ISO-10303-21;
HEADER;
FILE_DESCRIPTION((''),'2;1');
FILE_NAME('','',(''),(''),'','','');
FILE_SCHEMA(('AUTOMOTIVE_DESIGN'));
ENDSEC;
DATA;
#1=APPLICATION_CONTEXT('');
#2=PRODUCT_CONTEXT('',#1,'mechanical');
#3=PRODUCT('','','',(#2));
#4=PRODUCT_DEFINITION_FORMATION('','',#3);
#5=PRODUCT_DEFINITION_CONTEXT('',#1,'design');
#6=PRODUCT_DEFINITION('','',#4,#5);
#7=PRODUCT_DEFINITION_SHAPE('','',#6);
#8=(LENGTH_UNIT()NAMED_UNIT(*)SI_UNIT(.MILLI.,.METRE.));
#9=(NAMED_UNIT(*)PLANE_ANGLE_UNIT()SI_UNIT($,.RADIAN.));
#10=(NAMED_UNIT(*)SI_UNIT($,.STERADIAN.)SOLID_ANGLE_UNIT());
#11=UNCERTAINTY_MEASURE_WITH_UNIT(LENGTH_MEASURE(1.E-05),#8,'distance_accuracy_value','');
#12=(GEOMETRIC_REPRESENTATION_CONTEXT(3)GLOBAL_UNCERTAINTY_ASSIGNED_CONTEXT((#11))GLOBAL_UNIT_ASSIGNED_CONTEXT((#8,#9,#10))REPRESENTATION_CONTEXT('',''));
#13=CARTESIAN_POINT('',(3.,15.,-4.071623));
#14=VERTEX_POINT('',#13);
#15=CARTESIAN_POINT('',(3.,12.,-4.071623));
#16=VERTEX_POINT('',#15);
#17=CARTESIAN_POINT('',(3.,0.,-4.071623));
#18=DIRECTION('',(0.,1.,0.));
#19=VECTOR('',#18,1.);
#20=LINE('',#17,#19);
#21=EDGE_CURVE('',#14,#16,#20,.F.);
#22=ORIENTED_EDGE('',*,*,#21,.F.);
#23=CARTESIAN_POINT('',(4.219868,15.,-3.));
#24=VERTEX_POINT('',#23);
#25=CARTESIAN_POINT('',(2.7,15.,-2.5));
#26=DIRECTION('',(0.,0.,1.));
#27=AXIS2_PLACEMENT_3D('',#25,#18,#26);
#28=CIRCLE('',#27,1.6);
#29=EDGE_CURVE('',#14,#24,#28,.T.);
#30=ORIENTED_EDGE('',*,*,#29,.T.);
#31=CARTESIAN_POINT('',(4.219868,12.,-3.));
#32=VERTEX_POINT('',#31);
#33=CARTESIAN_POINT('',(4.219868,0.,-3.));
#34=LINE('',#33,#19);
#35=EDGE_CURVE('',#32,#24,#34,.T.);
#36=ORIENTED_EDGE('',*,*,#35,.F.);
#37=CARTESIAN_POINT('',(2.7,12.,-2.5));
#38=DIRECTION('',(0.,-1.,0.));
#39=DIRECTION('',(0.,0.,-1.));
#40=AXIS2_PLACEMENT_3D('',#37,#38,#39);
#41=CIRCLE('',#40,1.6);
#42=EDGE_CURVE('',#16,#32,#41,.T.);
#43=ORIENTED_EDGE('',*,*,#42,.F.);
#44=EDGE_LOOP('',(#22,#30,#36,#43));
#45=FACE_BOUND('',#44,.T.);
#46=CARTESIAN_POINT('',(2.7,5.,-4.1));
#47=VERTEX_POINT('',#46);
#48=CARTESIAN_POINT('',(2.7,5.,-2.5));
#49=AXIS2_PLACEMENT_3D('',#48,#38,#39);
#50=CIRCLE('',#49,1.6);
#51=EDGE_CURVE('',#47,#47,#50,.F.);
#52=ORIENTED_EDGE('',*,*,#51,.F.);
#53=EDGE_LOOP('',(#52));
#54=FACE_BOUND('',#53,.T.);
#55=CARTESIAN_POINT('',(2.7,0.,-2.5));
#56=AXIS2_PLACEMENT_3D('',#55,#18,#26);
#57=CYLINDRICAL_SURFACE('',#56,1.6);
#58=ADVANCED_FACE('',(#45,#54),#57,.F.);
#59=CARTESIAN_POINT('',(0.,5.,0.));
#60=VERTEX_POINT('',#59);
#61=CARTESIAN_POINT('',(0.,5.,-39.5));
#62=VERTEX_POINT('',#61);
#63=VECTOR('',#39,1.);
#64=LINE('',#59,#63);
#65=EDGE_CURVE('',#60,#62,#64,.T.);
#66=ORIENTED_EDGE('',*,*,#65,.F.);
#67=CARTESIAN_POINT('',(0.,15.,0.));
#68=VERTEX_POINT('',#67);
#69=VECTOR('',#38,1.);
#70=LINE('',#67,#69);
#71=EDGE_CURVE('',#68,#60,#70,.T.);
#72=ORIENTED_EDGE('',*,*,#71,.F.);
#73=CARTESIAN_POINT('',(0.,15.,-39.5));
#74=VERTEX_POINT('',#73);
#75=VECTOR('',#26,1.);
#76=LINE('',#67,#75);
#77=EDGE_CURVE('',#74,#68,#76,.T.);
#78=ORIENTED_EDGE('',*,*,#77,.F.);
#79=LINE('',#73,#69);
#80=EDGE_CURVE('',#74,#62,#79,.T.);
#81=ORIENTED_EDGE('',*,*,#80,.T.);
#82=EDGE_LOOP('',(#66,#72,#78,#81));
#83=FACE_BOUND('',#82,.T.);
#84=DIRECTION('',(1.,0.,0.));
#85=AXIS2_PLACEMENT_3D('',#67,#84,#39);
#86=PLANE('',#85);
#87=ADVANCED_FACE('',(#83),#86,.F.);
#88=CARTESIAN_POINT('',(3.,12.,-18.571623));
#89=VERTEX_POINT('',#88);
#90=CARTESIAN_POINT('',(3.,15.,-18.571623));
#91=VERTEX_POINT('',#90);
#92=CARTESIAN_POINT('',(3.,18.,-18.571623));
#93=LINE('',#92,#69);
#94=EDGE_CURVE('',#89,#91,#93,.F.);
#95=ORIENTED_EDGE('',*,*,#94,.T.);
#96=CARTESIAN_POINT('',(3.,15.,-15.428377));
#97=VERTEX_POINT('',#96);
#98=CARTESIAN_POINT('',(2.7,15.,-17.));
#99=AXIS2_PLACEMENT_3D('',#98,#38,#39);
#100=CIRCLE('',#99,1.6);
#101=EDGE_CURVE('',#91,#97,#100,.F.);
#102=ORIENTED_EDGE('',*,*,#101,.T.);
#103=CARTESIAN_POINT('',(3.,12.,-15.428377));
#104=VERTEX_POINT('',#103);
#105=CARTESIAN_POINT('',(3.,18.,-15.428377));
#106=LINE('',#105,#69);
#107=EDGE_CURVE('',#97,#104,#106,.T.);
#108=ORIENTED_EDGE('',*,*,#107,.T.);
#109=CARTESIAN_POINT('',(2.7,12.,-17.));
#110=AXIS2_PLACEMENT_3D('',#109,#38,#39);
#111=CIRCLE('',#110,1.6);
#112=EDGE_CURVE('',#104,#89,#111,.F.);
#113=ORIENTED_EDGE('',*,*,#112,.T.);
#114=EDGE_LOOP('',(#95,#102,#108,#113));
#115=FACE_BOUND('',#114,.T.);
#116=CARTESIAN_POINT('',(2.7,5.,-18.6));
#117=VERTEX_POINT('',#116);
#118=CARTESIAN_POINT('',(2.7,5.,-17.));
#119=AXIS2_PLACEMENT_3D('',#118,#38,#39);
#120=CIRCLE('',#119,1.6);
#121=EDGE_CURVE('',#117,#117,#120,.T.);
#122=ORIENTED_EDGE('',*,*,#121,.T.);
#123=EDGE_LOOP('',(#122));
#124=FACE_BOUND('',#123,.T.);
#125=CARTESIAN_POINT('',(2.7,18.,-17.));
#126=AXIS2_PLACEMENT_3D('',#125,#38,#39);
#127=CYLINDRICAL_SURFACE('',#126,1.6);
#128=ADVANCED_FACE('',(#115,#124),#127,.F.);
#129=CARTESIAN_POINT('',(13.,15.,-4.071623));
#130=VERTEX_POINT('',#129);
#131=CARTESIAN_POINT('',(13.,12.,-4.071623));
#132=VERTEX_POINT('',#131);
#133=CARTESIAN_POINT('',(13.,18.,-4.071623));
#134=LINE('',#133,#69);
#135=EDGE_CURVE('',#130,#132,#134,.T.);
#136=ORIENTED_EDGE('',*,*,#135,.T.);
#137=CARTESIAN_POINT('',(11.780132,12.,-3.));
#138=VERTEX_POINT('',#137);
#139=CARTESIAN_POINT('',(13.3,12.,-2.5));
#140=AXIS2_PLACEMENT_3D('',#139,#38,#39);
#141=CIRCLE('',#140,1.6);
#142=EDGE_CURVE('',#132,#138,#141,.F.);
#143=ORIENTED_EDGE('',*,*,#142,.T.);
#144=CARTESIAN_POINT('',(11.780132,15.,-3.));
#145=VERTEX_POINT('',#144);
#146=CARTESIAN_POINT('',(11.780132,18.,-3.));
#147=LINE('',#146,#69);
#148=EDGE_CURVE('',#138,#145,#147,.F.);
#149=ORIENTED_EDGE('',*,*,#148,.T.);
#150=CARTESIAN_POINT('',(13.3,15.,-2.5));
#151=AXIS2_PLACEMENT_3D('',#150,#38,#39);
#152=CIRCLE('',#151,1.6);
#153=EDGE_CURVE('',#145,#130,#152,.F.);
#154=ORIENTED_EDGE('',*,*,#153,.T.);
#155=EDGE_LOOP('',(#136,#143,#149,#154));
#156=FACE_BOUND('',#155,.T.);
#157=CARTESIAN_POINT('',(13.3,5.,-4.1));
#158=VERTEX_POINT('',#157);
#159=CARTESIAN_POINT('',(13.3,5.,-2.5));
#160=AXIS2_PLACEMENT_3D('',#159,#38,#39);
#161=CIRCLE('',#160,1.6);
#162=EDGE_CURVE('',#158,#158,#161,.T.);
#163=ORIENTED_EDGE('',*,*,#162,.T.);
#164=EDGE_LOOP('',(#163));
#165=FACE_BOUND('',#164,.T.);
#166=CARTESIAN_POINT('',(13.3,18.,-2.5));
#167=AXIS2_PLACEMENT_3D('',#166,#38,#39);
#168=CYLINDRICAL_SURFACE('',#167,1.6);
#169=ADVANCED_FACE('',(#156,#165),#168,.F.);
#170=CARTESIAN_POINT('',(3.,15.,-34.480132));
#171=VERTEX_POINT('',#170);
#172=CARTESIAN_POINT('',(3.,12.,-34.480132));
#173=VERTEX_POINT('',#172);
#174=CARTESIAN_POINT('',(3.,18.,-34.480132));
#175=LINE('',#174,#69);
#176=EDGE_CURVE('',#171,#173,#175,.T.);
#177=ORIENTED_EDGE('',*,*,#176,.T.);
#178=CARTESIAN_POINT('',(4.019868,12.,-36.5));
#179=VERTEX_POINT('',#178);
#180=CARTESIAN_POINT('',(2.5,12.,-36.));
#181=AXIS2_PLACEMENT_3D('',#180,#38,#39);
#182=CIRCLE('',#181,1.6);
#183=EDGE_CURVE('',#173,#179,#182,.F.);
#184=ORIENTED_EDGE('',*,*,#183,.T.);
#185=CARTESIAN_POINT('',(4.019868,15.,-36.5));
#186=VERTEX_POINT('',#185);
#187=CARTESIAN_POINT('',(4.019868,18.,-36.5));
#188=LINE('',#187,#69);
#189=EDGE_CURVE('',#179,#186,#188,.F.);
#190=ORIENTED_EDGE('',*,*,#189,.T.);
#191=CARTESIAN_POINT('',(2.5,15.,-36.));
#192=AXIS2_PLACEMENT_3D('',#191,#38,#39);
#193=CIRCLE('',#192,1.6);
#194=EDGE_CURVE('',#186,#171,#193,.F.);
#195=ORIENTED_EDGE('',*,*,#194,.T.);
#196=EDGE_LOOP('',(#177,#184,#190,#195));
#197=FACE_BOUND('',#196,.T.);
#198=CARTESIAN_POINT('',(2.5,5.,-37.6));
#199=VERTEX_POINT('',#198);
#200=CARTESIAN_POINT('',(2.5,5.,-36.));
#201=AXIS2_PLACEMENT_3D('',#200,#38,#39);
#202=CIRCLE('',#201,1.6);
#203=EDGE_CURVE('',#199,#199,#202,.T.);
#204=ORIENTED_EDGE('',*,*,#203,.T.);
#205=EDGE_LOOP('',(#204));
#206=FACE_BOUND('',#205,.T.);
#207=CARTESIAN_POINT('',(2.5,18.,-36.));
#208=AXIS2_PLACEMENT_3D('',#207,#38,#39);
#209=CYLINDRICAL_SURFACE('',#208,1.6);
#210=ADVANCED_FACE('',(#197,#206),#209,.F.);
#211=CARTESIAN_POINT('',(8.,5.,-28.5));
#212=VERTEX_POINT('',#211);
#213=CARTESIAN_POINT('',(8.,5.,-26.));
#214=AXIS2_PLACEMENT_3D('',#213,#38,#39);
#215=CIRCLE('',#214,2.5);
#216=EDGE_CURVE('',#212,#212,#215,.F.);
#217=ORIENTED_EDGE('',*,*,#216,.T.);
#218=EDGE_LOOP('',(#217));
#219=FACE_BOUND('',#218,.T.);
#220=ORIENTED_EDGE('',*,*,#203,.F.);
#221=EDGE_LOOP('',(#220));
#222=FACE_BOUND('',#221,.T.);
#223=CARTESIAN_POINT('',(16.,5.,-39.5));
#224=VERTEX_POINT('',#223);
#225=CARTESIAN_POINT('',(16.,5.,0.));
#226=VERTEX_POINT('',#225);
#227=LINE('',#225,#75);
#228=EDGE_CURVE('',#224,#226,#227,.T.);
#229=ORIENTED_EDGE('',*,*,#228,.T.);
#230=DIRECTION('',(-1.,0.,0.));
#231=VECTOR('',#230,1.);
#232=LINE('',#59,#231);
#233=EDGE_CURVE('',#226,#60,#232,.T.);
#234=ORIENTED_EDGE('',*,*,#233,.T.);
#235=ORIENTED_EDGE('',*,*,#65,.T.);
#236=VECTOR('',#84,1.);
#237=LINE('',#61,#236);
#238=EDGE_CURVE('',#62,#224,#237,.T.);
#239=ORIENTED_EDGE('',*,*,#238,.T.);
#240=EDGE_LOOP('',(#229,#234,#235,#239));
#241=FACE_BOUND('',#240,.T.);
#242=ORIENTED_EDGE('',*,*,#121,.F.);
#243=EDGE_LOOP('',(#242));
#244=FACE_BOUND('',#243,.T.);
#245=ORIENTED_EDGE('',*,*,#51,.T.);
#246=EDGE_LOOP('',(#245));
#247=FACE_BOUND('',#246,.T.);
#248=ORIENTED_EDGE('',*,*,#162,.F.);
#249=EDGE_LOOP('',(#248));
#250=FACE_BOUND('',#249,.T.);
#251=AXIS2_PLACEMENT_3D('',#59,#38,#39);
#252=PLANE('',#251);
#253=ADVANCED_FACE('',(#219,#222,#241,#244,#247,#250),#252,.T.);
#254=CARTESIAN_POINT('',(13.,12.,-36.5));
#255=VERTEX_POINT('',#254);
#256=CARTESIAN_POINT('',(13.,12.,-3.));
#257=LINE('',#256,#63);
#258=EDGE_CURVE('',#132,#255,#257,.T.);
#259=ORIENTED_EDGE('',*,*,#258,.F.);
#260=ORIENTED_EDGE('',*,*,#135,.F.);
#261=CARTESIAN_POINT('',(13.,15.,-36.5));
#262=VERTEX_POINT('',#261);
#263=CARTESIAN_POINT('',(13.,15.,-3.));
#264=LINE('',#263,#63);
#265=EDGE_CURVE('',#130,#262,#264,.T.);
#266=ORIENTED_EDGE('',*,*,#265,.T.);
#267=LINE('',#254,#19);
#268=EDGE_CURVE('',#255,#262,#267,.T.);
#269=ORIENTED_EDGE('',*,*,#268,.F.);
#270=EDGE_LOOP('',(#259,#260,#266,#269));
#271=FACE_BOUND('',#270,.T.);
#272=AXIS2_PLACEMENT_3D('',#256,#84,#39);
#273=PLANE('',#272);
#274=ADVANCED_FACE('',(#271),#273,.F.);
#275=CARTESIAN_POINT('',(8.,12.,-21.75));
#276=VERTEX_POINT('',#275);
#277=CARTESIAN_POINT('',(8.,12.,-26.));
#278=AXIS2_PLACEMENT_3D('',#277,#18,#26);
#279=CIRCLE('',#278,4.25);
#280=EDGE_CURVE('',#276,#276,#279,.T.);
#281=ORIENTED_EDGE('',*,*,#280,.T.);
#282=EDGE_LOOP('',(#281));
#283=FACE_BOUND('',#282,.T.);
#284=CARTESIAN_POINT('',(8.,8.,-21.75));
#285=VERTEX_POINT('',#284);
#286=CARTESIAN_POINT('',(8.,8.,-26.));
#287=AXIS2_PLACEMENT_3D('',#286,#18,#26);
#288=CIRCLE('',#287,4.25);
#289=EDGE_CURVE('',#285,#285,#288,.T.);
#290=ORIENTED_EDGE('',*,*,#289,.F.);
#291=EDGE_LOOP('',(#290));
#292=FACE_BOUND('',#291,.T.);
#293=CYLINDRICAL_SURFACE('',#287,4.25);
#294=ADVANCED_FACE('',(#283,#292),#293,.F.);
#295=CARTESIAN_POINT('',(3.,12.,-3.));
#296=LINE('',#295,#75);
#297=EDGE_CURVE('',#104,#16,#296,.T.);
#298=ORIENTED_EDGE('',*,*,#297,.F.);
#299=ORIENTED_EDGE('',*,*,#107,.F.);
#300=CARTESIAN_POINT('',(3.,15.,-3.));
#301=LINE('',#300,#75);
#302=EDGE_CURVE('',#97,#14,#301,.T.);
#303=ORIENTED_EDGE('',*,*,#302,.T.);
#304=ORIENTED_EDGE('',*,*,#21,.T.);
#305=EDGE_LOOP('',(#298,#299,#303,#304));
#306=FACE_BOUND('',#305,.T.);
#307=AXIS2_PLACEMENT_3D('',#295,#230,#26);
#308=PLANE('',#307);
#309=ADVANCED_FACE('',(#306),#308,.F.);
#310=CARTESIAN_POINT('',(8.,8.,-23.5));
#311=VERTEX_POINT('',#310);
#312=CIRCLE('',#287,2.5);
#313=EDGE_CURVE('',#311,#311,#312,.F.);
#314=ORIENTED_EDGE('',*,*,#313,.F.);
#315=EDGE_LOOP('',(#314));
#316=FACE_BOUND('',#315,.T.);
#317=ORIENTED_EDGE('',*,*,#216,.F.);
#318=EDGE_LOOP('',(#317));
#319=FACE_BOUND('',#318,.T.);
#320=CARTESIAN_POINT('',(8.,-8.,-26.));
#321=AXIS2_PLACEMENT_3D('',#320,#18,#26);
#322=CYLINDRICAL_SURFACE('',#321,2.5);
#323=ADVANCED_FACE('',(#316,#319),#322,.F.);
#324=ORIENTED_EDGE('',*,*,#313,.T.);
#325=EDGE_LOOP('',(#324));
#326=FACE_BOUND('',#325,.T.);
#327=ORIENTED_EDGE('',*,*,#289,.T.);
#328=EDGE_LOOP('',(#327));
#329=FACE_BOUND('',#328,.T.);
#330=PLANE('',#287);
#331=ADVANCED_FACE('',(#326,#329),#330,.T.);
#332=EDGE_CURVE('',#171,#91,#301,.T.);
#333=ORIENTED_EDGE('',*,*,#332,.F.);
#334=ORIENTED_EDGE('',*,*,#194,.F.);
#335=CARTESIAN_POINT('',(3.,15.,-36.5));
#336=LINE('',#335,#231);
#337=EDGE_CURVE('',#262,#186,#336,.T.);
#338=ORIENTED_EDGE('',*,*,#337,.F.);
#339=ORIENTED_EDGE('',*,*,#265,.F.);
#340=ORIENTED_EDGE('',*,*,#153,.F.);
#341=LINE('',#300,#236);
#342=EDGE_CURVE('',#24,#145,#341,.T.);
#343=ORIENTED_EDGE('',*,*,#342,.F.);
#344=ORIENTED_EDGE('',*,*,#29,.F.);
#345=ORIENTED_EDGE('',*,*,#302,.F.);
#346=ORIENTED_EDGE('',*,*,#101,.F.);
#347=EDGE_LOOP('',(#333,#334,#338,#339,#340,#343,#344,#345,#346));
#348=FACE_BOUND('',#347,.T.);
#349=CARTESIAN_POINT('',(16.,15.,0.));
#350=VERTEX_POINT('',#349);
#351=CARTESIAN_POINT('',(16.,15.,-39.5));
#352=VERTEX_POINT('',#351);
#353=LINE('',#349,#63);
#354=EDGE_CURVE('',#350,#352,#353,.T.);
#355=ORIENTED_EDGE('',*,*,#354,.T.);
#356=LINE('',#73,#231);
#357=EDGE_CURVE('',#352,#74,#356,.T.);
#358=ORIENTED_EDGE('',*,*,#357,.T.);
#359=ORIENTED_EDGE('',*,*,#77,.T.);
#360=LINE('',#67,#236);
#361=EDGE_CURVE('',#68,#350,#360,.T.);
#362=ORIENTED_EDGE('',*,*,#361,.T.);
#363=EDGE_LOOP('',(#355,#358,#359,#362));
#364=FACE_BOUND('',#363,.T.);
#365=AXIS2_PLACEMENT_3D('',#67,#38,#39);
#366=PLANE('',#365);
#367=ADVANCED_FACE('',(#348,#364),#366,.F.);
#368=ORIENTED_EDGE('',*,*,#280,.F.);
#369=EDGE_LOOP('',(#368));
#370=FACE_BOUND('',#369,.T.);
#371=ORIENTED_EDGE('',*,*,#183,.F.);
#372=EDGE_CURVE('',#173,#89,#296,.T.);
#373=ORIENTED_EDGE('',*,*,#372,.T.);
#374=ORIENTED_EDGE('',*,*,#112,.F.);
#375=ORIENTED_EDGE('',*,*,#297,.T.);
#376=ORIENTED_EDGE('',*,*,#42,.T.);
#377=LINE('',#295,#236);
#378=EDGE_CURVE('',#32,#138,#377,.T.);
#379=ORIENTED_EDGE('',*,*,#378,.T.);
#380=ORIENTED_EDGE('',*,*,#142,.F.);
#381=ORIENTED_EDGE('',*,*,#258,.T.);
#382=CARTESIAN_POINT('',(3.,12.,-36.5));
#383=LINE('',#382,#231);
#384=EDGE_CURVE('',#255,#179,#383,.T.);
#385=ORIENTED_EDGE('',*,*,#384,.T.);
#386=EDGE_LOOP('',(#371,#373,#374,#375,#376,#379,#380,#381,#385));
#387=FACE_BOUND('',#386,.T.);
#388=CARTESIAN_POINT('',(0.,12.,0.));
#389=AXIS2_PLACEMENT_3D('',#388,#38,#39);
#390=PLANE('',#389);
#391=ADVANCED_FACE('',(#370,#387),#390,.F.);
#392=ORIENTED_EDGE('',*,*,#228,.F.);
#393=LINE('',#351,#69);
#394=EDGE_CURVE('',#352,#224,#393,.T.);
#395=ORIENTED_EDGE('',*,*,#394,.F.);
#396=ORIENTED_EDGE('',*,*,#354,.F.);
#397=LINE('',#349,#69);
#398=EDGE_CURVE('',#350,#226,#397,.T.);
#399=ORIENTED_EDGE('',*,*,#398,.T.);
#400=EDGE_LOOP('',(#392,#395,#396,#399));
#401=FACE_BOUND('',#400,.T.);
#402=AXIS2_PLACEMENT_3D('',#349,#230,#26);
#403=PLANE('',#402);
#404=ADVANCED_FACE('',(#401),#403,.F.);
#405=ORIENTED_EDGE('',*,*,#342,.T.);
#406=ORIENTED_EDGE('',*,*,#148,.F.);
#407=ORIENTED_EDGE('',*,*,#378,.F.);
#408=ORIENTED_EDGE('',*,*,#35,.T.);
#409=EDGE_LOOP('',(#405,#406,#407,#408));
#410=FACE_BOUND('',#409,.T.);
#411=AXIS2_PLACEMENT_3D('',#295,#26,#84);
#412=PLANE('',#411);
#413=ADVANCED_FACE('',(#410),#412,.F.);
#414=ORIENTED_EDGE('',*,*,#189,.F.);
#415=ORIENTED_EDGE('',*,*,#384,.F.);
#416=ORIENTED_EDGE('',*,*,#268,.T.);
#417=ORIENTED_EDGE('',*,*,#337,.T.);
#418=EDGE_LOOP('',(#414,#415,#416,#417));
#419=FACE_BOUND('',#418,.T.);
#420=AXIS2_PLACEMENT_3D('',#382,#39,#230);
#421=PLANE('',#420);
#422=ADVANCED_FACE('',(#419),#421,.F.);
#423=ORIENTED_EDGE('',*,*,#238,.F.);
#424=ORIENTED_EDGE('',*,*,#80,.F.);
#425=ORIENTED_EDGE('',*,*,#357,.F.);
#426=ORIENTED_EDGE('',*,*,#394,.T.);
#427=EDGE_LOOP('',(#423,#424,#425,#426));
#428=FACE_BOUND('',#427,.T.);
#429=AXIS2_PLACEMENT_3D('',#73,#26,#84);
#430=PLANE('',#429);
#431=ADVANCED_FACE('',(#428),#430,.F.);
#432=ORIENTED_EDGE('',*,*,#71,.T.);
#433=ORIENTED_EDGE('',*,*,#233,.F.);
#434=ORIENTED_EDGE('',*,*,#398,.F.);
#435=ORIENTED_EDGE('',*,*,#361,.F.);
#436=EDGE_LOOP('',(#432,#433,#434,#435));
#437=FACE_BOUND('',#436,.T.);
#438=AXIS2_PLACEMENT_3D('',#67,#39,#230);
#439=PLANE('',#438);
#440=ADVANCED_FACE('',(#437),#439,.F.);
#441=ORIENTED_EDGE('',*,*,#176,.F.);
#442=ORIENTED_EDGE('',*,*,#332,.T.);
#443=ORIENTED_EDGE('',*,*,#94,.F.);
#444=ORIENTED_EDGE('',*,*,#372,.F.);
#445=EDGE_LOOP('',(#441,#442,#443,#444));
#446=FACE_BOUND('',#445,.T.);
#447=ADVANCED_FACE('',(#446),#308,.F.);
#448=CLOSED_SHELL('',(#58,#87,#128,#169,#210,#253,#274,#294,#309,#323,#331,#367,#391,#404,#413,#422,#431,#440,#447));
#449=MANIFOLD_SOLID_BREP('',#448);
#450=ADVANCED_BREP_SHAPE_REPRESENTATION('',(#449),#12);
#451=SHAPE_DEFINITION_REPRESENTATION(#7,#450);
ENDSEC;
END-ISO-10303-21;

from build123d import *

# Parameters (mm, degrees)
SKETCH1_W               = 16
SKETCH1_H               = 39.5
BOSS_EXTRUDE1_DEPTH     = 15
SKETCH2_W               = 10
SKETCH2_H               = 33.5
CUT_EXTRUDE1_DEPTH      = 3
CUT_EXTRUDE2_DEPTH      = 45.274710615
CUT_EXTRUDE2_DEPTH_BACK = 45.274710615
SKETCH3_R               = 1.6
CUT_EXTRUDE3_DEPTH      = 3
CUT_EXTRUDE3_DEPTH_BACK = 46.180194776
SKETCH4_R               = 1.6
SKETCH5_R               = 2.5
CUT_EXTRUDE4_DEPTH      = 20
SKETCH8_R               = 4.25
CUT_EXTRUDE5_DEPTH      = 4
SKETCH9_W               = 23.074046619
SKETCH9_H               = 49.619494536
CUT_EXTRUDE6_DEPTH      = 5


with BuildPart() as part:
    # Sketch1 → Boss-Extrude1 (new body)
    with BuildSketch(Plane(origin=(0, 0, 0), x_dir=(1, 0, 0), z_dir=(0, 1, 0))):
        with Locations((8, 19.75)):
            Rectangle(SKETCH1_W, SKETCH1_H)
    extrude(amount=BOSS_EXTRUDE1_DEPTH)

    # Sketch2 → Cut-Extrude1 (cut)
    with BuildSketch(Plane(origin=(0, 15, 0), x_dir=(1, 0, 0), z_dir=(0, 1, 0))):
        with Locations((8, 19.75)):
            Rectangle(SKETCH2_W, SKETCH2_H)
    extrude(amount=-CUT_EXTRUDE1_DEPTH, mode=Mode.SUBTRACT)

    # Sketch3 → Cut-Extrude2 (cut, two sides: drawn at the far end of the back side and taken through both)
    with BuildSketch(Plane(origin=(0, 12, 0), x_dir=(1, 0, 0), z_dir=(0, 1, 0)).offset(-CUT_EXTRUDE2_DEPTH_BACK)):
        with Locations((2.7, 2.5)):
            Circle(SKETCH3_R)
    extrude(amount=CUT_EXTRUDE2_DEPTH + CUT_EXTRUDE2_DEPTH_BACK, mode=Mode.SUBTRACT)

    # Sketch4 → Cut-Extrude3 (cut, two sides: drawn at the far end of the back side and taken through both)
    with BuildSketch(Plane(origin=(0, 15, 0), x_dir=(1, 0, 0), z_dir=(0, 1, 0)).offset(-CUT_EXTRUDE3_DEPTH_BACK)):
        with Locations((13.3, 2.5)):
            Circle(SKETCH4_R)
        with Locations((2.7, 17)):
            Circle(SKETCH4_R)
        with Locations((2.5, 36)):
            Circle(SKETCH4_R)
    extrude(amount=CUT_EXTRUDE3_DEPTH + CUT_EXTRUDE3_DEPTH_BACK, mode=Mode.SUBTRACT)

    # Sketch5 → Cut-Extrude4 (cut)
    with BuildSketch(Plane(origin=(0, 12, 0), x_dir=(1, 0, 0), z_dir=(0, 1, 0))):
        with Locations((8, 26)):
            Circle(SKETCH5_R)
    extrude(amount=-CUT_EXTRUDE4_DEPTH, mode=Mode.SUBTRACT)

    # Sketch8 → Cut-Extrude5 (cut)
    with BuildSketch(Plane(origin=(0, 12, 0), x_dir=(1, 0, 0), z_dir=(0, 1, 0))):
        with Locations((8, 26)):
            Circle(SKETCH8_R)
    extrude(amount=-CUT_EXTRUDE5_DEPTH, mode=Mode.SUBTRACT)

    # Sketch9 → Cut-Extrude6 (cut)
    with BuildSketch(Plane.XZ):
        with Locations((7.55036405, -17.360616358)):
            Rectangle(SKETCH9_W, SKETCH9_H)
    extrude(amount=-CUT_EXTRUDE6_DEPTH, mode=Mode.SUBTRACT)


solid = part.part
